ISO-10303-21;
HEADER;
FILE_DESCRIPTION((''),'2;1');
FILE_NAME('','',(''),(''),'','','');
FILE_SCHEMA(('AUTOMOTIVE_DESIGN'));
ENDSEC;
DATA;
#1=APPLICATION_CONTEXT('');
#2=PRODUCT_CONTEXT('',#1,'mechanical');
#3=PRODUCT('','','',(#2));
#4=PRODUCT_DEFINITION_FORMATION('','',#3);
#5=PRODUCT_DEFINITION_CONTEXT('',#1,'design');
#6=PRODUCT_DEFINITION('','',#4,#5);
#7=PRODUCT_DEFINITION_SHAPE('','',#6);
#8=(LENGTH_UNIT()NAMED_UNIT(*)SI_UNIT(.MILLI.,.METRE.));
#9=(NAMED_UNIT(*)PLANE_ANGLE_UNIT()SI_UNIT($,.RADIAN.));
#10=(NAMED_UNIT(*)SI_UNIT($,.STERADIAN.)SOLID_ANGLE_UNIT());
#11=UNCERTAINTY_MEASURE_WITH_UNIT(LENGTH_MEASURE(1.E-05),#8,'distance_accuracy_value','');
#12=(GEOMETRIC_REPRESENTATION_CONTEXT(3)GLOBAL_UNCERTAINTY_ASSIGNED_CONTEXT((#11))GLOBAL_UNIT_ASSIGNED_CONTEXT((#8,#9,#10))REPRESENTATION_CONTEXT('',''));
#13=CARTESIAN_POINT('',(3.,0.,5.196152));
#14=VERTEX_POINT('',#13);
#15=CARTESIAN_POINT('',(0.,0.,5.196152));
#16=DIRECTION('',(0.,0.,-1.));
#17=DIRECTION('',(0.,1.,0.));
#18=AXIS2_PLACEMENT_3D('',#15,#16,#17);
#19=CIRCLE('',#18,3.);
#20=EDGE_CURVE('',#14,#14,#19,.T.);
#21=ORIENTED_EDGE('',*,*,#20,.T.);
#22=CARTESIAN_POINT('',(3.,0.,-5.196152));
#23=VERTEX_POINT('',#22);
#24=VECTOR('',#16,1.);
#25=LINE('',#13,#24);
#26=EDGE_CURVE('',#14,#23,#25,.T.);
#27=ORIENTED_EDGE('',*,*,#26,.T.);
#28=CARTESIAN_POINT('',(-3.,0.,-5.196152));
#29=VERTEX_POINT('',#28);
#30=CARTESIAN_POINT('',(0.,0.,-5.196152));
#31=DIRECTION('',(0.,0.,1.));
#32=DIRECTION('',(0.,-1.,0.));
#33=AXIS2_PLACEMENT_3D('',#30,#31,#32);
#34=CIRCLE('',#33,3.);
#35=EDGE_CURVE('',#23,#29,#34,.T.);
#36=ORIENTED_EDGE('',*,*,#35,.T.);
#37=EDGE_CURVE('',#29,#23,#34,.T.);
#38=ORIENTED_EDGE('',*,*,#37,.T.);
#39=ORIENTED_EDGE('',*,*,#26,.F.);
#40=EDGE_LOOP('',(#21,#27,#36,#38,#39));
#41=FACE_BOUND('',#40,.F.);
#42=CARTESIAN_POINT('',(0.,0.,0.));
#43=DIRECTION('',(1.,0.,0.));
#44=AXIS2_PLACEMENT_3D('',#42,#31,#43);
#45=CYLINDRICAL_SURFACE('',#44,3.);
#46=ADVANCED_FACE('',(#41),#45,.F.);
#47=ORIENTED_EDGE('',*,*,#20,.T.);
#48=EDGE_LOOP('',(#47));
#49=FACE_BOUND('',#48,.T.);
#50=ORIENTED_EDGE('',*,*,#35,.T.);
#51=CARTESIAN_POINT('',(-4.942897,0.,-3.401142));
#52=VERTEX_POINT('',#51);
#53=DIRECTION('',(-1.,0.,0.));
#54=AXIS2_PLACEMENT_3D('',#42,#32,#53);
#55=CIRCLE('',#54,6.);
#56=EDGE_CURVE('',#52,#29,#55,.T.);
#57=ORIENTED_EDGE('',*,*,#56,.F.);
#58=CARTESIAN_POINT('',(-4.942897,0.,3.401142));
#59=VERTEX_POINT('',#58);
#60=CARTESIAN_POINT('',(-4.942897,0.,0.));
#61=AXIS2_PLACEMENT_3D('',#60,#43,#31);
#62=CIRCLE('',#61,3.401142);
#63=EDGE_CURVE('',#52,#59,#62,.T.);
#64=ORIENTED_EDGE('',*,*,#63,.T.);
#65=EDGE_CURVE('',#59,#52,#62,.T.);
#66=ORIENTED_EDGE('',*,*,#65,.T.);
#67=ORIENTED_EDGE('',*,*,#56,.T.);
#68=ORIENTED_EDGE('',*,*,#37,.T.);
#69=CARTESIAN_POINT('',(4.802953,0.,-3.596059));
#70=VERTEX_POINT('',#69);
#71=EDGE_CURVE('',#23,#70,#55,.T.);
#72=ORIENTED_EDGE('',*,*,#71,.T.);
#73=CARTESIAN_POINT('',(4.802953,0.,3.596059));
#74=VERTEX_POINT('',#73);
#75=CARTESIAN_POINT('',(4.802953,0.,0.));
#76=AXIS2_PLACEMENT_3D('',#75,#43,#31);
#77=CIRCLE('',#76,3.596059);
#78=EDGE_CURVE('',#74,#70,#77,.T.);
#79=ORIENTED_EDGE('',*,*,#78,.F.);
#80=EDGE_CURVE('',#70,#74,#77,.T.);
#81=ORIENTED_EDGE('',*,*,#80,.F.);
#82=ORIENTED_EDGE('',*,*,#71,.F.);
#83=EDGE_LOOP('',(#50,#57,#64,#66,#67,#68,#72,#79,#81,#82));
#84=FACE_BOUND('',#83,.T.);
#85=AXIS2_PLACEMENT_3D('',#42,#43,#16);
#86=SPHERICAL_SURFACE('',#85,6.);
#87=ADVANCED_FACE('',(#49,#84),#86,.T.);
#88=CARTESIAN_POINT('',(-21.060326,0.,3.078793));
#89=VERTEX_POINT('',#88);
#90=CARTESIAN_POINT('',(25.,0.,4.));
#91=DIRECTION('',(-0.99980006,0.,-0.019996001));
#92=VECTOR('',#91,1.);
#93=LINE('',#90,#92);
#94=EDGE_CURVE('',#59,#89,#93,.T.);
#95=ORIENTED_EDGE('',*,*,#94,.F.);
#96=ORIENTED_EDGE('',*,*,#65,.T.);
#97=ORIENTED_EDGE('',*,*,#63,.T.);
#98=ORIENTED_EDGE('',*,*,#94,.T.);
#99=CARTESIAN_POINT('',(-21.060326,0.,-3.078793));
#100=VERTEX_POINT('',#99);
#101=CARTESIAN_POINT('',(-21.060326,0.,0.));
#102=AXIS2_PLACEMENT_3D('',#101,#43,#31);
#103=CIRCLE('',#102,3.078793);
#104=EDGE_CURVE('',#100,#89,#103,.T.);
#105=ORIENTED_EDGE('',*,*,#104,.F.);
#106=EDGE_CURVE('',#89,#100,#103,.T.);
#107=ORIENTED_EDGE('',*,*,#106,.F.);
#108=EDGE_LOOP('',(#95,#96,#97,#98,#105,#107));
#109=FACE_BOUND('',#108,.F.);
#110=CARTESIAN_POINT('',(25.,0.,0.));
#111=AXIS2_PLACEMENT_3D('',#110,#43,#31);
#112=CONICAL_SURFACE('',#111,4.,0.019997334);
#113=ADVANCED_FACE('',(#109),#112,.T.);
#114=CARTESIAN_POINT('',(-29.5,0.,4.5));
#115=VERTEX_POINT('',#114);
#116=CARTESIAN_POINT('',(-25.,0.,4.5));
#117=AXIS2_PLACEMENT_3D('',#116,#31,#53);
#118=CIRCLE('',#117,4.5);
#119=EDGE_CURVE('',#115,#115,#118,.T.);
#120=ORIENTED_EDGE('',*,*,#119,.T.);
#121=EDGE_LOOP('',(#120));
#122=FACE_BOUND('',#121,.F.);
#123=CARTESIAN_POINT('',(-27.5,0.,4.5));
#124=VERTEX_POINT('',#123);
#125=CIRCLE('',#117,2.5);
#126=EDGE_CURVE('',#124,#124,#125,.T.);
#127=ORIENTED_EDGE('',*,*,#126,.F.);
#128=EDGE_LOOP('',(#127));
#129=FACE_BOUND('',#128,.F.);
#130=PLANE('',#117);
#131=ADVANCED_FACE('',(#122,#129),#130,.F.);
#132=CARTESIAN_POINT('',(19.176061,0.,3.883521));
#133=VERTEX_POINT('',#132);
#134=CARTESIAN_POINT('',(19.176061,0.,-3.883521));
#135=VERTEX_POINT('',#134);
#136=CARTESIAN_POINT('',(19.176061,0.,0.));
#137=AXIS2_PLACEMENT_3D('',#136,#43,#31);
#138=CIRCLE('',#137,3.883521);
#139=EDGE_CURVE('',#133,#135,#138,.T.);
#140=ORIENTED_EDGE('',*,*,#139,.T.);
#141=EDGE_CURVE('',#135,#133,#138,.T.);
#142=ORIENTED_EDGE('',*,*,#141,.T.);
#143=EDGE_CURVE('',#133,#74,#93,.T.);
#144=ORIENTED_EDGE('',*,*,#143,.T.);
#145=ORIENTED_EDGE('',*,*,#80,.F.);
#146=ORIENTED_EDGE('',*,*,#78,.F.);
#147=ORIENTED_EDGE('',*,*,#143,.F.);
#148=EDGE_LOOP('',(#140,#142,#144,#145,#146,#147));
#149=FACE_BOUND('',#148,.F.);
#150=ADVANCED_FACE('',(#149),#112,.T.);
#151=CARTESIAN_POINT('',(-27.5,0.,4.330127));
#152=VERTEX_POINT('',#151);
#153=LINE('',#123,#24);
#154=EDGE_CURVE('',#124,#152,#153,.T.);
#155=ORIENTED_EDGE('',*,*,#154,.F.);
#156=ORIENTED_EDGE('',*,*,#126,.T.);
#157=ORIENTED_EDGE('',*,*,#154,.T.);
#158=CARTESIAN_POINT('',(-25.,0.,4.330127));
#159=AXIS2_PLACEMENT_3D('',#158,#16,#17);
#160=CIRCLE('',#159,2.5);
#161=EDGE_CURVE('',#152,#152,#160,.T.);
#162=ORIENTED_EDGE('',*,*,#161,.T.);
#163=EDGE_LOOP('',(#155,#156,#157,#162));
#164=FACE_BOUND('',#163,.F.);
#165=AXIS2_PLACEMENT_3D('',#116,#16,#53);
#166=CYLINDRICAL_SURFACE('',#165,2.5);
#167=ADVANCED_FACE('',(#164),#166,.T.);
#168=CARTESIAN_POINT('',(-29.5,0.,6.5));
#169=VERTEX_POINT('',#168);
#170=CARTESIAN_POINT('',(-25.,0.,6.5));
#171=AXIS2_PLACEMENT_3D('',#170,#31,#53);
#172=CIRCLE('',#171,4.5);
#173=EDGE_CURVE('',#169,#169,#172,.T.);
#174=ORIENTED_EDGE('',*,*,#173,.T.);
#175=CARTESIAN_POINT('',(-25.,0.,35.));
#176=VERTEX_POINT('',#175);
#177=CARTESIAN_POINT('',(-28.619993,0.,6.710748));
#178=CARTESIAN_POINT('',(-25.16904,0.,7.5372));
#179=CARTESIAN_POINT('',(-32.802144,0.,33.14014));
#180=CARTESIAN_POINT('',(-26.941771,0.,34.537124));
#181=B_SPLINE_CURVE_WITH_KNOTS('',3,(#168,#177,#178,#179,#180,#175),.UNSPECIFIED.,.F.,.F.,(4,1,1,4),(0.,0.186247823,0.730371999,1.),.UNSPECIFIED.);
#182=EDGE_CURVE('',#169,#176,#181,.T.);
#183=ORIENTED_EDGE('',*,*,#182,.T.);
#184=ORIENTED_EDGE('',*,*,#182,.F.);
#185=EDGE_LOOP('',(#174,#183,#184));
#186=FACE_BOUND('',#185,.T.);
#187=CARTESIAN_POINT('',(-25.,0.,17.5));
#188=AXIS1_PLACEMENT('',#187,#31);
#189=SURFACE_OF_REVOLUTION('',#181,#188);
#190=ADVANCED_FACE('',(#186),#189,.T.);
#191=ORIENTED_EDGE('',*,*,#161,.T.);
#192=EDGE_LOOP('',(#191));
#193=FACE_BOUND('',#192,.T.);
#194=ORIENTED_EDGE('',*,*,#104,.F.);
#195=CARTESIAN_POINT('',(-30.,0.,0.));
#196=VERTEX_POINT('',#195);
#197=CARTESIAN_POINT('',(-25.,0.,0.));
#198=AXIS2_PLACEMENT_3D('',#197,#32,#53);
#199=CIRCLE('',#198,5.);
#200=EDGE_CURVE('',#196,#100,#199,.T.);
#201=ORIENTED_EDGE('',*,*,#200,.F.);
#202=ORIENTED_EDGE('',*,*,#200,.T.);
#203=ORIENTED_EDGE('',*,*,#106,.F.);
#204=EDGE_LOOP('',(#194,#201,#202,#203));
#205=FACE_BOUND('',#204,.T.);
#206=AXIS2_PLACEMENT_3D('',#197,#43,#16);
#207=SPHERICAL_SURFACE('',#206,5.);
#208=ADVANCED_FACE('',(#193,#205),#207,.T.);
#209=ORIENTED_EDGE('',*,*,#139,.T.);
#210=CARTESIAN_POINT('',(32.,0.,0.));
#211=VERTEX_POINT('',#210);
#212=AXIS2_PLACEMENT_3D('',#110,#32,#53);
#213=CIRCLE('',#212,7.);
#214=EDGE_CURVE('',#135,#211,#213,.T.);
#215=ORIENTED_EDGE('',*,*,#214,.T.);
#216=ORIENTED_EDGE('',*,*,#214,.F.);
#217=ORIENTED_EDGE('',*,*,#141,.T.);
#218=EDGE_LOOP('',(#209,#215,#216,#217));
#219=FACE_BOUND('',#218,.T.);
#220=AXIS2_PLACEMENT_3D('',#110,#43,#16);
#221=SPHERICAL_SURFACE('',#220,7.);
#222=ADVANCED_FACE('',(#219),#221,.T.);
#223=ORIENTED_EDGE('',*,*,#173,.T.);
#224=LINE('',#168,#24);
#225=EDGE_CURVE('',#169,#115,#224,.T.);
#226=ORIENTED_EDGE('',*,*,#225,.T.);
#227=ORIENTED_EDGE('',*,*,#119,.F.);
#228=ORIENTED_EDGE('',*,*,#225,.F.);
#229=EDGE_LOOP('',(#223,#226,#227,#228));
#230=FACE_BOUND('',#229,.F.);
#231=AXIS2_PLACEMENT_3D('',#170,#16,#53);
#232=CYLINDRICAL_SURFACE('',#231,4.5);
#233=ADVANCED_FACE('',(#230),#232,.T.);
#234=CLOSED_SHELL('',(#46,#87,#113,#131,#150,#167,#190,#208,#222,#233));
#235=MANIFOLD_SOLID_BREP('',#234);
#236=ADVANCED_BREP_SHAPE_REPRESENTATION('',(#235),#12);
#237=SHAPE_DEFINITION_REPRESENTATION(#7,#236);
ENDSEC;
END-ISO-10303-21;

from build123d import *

# Parameters (mm, degrees)
F3_R          = 3
F4_DEPTH      = 25
F4_DEPTH_BACK = 25


with BuildPart() as f1:
    # F0 (on Front) → F1 (revolve)
    with BuildSketch(Plane.XZ):
        Polygon((-20, 0), (-6, 0), (0, 0), (6, 0), (18, 0), (25, 0), (25, 4), (-25, 3), (-25, 0), align=None)
    revolve(axis=Axis((1, 0, 0), (1, 0, 0)))

    # F0 (on Front) → F2 (revolve)
    with BuildSketch(Plane.XZ):
        with BuildLine():
            ThreePointArc((-30, 0), (-25, -5), (-20, 0))
            Line((-20, 0), (-25, 0))
            Line((-25, 0), (-30, 0))
        make_face()
        with BuildLine():
            Line((0, 0), (-6, 0))
            ThreePointArc((-6, 0), (0, -6), (6, 0))
            Line((6, 0), (0, 0))
        make_face()
        with BuildLine():
            Line((25, 0), (18, 0))
            ThreePointArc((18, 0), (25, -7), (32, 0))
            Line((32, 0), (25, 0))
        make_face()
    revolve(axis=Axis((1, 0, 0), (1, 0, 0)))

    # F3 (on Top) → F4 (cut, two sides)
    with BuildSketch(Plane.XY) as f4_sk:
        Circle(F3_R)
    extrude(amount=-F4_DEPTH, mode=Mode.SUBTRACT)
    extrude(f4_sk.sketch, amount=F4_DEPTH_BACK, mode=Mode.SUBTRACT)

    # F5 (on Front) → F6 (revolve)
    with BuildSketch(Plane.XZ):
        with BuildLine():
            Line((-27.5, 0), (-25, 0))
            Line((-25, 0), (-25, 35))
            add(Edge.make_bspline(
                [(-29.5, 6.5), (-28.6199930521, 6.710748409), (-25.1690403248, 7.5371996075), (-32.8021438158, 33.1401397633), (-26.9417712134, 34.537124263), (-25, 35)],
                knots=[0, 0, 0, 0, 0.1862478232, 0.7303719987, 1, 1, 1, 1], degree=3))
            Line((-29.5, 6.5), (-29.5, 4.5))
            Line((-29.5, 4.5), (-27.5, 4.5))
            Line((-27.5, 4.5), (-27.5, 0))
        make_face()
    revolve(axis=Axis((-25, 0, 17.5), (0, 0, 1)))


solid = f1.part
